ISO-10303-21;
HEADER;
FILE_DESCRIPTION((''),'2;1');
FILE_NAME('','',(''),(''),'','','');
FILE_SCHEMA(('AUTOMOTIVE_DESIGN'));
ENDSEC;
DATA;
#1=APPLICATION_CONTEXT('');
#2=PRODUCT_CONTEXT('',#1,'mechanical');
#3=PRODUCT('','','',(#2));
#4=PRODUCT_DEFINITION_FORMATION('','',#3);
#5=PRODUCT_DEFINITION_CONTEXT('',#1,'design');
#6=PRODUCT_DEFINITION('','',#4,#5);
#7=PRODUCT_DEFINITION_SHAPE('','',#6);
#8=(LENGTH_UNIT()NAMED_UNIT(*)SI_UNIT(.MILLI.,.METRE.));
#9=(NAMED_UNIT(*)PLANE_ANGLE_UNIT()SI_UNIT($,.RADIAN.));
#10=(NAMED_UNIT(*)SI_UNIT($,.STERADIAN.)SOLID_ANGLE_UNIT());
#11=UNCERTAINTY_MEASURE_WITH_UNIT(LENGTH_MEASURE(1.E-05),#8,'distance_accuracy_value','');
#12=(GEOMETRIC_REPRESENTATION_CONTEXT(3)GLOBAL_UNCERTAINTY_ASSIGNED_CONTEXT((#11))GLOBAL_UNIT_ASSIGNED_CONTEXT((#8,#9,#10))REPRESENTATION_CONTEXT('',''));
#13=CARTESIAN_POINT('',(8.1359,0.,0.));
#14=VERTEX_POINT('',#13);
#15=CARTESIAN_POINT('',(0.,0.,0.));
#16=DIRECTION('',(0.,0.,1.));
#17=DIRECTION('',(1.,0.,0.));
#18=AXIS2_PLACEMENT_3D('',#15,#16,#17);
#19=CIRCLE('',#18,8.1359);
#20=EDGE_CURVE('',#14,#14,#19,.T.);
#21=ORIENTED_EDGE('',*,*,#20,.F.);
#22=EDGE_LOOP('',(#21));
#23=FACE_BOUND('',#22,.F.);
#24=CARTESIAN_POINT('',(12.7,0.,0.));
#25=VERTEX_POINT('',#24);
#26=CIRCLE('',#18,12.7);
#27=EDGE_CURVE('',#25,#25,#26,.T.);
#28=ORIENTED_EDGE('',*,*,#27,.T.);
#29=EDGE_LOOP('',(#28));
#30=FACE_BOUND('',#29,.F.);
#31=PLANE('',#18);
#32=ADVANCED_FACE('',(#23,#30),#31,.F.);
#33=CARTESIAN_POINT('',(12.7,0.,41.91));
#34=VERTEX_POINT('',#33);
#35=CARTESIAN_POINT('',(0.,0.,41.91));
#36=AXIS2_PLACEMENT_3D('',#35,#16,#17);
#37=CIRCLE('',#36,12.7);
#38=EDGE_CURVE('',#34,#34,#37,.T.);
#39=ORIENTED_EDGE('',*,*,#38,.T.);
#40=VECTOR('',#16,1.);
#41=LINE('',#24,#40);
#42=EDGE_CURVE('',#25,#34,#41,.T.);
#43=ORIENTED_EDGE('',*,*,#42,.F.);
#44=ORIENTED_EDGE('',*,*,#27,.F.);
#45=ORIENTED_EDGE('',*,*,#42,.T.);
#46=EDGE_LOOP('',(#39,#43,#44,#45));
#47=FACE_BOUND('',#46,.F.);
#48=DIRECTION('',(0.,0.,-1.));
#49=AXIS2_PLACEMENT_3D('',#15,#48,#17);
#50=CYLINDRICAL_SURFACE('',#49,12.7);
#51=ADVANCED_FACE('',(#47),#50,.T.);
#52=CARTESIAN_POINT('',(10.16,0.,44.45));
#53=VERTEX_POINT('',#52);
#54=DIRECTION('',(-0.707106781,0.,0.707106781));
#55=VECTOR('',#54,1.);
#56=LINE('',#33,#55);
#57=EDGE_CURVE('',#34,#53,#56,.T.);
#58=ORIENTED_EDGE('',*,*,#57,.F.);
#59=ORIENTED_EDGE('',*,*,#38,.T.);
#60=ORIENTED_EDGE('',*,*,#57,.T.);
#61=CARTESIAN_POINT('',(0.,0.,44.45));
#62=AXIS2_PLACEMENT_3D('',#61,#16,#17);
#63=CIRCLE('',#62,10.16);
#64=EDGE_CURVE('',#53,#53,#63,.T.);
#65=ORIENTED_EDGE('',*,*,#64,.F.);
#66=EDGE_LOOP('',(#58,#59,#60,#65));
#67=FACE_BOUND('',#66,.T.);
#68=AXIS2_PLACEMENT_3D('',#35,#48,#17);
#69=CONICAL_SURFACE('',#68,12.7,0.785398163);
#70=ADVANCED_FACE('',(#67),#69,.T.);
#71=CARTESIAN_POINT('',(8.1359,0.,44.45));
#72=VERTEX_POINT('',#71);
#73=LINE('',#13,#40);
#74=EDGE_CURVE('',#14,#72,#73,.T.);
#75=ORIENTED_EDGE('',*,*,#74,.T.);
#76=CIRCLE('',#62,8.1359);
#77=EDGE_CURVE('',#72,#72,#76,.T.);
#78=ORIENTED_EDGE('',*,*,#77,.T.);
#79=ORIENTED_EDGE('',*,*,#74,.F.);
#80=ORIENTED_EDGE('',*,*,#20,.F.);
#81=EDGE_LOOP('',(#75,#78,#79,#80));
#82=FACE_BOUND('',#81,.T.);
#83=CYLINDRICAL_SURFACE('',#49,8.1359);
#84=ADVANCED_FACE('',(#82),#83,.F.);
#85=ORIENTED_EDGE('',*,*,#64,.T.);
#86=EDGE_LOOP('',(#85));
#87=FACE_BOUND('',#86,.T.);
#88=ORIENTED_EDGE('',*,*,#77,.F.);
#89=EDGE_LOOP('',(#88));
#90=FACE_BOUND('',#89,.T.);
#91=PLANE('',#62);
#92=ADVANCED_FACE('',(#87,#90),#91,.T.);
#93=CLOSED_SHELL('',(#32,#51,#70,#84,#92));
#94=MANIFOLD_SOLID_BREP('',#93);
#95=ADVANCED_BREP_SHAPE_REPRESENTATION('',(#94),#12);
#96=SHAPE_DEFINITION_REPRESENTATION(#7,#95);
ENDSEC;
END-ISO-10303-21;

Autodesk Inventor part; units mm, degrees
ref_plane "YZ Plane" through (0, 0, 0) normal (1, 0, 0) x (0, 1, 0)
ref_plane "XZ Plane" through (0, 0, 0) normal (0, 1, 0) x (-1, 0, 0)
ref_plane "XY Plane" through (0, 0, 0) normal (0, 0, 1) x (1, 0, 0)
sketch "Sketch1" plane through (0, 0, 0) normal (0, 0, 1) x (1, 0, 0)
  circle A0 centre (0, 0) radius 12.7
  circle A1 centre (0, 0) radius 8.1359
  dimension "d0" = 25.4
  dimension "d2" = 16.2719
extrude "Extrusion1" add sketch "Sketch1" along normal blind 44.45
chamfer "Chamfer1" distance 2.54 angle 45 1 edges at (-12.7, 0, 44.45)
properties part number "Spacer"
